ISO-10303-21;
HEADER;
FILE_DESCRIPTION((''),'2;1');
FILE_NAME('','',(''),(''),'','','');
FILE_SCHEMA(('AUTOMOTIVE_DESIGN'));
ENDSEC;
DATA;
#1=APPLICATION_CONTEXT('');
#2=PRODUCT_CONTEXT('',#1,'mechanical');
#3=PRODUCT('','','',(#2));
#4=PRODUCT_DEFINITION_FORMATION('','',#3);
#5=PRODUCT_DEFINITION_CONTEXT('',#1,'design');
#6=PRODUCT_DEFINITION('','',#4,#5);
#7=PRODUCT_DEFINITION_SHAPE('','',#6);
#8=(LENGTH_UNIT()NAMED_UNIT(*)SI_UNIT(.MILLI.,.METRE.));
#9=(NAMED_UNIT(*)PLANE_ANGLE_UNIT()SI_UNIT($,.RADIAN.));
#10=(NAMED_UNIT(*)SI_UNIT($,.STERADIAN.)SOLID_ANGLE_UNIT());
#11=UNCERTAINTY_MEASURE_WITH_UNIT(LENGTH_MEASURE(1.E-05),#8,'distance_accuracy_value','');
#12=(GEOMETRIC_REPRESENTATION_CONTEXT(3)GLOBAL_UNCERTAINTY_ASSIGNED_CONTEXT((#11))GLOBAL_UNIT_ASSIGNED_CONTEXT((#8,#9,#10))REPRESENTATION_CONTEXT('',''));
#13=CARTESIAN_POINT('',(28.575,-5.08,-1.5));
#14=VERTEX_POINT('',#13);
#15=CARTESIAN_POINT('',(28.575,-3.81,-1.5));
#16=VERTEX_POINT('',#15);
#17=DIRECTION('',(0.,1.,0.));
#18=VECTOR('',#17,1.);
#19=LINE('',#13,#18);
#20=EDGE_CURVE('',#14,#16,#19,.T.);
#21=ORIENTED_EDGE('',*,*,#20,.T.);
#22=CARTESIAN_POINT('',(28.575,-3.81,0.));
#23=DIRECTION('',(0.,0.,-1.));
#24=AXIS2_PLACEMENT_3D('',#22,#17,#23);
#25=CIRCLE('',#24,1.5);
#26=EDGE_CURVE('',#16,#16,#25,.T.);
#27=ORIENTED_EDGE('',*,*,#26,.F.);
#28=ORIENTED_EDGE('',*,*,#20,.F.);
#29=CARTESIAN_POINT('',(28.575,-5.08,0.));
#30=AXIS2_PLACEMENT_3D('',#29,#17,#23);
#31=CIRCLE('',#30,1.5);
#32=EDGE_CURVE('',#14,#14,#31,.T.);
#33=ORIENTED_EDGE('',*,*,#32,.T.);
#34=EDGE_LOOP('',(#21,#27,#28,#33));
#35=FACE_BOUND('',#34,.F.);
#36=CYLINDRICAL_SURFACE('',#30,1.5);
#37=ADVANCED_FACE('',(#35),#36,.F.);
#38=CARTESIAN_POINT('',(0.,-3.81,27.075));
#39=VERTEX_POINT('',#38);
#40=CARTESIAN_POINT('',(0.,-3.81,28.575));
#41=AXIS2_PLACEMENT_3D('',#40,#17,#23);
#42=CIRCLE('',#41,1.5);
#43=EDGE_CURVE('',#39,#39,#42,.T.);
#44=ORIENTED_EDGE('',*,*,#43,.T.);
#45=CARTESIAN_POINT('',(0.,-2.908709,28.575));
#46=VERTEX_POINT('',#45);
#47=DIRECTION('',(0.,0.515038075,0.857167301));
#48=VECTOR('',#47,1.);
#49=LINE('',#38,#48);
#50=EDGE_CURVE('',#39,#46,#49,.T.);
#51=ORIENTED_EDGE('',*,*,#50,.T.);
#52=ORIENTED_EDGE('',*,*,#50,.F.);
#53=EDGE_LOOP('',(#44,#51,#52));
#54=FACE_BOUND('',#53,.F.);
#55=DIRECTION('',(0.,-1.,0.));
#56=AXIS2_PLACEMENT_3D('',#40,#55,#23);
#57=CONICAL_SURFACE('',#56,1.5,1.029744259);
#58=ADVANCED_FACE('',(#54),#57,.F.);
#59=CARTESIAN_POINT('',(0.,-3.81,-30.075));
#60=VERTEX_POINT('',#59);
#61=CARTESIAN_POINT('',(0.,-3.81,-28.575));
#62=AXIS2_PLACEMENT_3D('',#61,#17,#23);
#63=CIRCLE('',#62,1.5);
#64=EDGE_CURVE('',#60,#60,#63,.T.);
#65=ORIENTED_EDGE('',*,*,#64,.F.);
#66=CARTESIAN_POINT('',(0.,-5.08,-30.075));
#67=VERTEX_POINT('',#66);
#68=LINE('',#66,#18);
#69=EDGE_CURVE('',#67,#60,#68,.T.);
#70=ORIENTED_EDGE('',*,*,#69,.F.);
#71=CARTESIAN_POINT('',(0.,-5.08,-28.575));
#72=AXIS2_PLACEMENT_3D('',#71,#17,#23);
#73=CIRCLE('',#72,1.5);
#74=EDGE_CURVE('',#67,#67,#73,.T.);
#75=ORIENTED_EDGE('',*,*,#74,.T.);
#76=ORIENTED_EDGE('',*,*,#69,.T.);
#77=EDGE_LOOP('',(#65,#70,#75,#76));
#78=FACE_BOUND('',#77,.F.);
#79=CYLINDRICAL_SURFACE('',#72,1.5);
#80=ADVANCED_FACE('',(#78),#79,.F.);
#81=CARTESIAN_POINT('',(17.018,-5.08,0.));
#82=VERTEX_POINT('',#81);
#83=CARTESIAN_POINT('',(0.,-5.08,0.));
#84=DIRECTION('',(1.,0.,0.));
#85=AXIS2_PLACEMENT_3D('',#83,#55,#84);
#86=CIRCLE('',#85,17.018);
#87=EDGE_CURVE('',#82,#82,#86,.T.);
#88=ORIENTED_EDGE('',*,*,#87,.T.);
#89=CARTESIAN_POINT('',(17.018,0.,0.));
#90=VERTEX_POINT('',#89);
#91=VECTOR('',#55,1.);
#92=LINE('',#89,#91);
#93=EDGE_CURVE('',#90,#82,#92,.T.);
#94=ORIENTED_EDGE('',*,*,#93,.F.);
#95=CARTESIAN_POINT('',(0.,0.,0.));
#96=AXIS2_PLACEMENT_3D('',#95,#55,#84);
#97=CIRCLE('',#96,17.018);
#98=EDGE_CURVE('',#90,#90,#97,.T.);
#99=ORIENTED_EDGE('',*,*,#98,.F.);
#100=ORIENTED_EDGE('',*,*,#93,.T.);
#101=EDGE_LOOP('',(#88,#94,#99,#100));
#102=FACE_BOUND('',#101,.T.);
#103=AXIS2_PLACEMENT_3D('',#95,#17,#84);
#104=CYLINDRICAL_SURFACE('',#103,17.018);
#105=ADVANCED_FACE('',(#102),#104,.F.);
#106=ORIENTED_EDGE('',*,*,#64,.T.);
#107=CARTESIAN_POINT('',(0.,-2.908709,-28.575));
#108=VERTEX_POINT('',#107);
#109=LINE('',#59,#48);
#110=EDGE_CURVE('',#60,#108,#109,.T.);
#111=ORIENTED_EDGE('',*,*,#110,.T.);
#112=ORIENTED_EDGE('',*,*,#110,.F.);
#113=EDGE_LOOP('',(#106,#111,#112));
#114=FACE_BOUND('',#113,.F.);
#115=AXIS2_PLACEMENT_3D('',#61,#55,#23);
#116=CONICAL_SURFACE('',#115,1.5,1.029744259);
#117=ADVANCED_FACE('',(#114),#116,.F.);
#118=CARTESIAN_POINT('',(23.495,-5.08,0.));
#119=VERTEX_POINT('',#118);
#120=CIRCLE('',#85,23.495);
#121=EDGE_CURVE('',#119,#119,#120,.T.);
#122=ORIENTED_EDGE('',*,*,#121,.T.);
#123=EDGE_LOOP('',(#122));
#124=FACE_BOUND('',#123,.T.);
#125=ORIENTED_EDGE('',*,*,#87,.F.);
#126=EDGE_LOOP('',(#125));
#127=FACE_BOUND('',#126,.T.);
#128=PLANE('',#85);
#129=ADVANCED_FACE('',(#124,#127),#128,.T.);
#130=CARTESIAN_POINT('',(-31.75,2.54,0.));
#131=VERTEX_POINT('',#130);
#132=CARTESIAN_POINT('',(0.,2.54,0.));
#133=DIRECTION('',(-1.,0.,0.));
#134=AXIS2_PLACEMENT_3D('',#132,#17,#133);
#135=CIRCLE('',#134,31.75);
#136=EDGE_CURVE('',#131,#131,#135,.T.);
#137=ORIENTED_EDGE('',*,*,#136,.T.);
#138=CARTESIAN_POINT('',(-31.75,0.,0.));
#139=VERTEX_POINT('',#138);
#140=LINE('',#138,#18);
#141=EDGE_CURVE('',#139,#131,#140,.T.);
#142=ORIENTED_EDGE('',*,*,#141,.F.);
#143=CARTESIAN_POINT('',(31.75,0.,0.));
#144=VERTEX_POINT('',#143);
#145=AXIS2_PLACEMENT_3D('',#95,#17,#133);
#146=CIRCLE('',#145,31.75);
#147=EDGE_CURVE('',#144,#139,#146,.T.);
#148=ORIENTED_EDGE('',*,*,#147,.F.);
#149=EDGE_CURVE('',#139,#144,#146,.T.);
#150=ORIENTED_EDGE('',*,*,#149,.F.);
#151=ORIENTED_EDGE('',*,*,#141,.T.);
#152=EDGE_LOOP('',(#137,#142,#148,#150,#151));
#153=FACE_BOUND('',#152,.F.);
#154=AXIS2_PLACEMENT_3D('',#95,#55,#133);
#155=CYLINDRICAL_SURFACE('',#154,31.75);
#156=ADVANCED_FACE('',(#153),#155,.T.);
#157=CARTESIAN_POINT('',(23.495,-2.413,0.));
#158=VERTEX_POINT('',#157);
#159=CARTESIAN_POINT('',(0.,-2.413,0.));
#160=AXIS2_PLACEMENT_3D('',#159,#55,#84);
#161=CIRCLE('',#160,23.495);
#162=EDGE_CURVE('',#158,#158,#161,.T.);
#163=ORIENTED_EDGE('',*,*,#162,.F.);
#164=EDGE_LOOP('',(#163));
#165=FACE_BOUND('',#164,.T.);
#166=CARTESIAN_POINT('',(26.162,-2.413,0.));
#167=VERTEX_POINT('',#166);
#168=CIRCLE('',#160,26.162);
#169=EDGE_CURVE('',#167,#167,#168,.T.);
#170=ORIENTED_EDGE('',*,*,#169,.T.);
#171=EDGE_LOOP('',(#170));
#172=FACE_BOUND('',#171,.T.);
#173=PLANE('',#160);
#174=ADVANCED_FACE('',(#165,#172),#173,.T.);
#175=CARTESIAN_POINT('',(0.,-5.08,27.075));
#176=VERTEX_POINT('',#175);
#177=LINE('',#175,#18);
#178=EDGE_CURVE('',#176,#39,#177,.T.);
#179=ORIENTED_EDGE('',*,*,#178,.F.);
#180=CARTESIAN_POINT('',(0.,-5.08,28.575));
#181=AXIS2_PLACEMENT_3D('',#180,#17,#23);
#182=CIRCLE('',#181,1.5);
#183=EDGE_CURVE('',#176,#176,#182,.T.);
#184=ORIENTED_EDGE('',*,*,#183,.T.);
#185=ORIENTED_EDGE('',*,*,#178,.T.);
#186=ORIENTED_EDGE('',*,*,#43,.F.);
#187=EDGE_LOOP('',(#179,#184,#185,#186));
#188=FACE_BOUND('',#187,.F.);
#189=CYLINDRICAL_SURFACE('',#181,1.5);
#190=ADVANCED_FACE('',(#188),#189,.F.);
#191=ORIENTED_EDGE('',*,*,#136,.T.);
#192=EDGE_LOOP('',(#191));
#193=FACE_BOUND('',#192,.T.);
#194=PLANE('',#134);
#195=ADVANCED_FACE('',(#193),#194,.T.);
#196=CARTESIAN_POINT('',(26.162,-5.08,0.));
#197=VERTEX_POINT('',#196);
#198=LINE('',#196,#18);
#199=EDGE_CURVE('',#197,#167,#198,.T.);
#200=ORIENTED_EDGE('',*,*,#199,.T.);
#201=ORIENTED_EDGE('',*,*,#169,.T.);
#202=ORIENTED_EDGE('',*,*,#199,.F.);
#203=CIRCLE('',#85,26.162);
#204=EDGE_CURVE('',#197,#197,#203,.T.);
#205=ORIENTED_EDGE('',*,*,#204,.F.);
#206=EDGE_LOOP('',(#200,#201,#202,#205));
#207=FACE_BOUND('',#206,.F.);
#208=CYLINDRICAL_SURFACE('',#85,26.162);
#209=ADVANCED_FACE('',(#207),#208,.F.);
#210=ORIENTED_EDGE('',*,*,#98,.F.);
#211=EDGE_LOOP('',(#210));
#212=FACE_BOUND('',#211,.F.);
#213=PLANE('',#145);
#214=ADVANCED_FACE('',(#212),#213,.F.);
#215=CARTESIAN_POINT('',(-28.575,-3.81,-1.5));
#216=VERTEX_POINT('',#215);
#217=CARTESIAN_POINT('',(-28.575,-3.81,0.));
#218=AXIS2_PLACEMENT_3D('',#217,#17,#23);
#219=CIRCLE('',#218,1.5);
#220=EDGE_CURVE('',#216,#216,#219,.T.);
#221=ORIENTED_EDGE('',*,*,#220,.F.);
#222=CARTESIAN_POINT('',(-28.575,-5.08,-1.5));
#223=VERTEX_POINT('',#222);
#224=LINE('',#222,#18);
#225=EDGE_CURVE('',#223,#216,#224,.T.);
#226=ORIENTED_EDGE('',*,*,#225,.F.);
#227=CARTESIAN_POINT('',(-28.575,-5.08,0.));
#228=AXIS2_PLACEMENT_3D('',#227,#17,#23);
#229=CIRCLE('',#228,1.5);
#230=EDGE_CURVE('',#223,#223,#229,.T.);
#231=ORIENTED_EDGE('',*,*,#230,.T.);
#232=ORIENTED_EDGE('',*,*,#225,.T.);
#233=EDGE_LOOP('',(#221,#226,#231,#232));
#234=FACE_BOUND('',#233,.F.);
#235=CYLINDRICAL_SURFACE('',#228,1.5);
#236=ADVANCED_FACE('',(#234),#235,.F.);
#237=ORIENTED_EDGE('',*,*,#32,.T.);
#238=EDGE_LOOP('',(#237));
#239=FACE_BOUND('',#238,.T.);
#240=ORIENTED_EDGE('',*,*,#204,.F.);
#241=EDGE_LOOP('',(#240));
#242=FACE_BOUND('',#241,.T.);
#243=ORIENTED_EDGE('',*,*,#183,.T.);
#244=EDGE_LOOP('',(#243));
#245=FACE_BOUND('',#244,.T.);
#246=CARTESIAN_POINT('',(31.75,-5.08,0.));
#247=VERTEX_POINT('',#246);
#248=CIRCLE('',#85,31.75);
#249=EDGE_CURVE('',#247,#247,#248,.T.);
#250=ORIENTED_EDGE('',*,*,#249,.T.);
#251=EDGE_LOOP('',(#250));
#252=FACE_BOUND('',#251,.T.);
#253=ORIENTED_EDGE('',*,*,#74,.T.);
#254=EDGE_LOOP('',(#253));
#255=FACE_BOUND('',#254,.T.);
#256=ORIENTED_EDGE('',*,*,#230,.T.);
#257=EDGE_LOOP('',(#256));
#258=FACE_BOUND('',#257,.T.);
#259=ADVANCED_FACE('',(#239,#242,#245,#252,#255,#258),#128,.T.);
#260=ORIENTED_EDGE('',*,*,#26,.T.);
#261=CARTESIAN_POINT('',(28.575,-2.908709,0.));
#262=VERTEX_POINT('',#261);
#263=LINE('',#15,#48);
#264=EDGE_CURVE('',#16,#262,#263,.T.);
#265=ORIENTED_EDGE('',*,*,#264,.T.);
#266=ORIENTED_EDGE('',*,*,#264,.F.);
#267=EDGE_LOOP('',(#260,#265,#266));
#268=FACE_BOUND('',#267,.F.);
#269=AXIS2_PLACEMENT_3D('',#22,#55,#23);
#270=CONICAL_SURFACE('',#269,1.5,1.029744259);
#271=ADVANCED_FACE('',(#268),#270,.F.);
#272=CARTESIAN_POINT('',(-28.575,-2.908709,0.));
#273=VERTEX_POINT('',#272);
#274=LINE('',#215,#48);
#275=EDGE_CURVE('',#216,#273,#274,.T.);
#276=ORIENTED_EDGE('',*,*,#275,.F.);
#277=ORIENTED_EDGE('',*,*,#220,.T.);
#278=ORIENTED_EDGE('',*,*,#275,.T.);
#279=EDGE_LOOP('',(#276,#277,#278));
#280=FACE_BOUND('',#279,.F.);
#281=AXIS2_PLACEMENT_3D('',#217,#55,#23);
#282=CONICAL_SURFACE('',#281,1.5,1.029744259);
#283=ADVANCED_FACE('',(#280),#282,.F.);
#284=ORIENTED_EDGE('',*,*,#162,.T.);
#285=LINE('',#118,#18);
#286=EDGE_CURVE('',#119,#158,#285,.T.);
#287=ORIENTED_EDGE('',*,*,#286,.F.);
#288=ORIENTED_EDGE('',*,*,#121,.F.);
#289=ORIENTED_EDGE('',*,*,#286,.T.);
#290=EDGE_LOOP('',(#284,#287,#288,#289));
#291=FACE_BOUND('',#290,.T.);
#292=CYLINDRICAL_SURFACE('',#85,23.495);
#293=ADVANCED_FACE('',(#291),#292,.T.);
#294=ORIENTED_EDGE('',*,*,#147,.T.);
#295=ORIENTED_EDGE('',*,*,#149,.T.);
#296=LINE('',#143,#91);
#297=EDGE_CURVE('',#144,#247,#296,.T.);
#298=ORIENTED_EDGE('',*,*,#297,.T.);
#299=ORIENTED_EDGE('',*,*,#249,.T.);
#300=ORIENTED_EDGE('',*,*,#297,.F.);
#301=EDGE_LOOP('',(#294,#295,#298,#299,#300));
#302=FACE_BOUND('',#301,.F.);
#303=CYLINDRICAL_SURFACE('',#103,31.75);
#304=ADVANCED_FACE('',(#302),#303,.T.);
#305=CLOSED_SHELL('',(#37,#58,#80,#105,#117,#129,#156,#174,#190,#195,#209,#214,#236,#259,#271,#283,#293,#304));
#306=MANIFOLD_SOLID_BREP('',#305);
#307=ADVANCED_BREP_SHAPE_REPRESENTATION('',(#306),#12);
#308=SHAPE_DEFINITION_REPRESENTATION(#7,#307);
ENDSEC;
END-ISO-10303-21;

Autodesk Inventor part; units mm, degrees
ref_plane "YZ Plane" through (0, 0, 0) normal (1, 0, 0) x (0, 1, 0)
ref_plane "XZ Plane" through (0, 0, 0) normal (0, 1, 0) x (-1, 0, 0)
ref_plane "XY Plane" through (0, 0, 0) normal (0, 0, 1) x (1, 0, 0)
sketch "Sketch1" plane through (0, 0, 0) normal (0, 1, 0) x (-1, 0, 0)
  circle A0 centre (0, 0) radius 31.75
  dimension "d0" = 63.5
extrude "Extrusion1" add sketch "Sketch1" along normal blind 2.54
sketch "Sketch2" plane through (0, 0, 0) normal (0, -1, 0) x (1, 0, 0)
  circle A0 centre (0, 0) radius 31.75 projected
  circle A1 centre (0, 0) radius 17.018
  circle A2 centre (0, 0) radius 31.75
  dimension "d4" = 34.036
extrude "Extrusion2" add sketch "Sketch2" along normal blind 5.08
sketch "Sketch3" plane through (0, -5.08, 0) normal (0, -1, 0) x (1, 0, 0)
  circle A0 centre (0, 0) radius 23.495
  circle A1 centre (0, 0) radius 17.018 projected
  circle A2 centre (0, 0) radius 26.162
  dimension "d7" = 46.99
  dimension "d8" = 52.324
extrude "Extrusion3" cut sketch "Sketch3" against normal blind 2.667 contours A2
sketch "Sketch5" plane through (0, -5.08, 0) normal (0, -1, 0) x (1, 0, 0)
  point P0 (0, 0)
  point P1 (-28.575, 0)
  point P2 (0, -28.575)
  point P3 (28.575, 0)
  point P4 (0, 28.575)
  dimension "d18" = 28.575
  dimension "d32" = 360
hole "Hole1" at (-28.575, -5.08, 0) at (0, -5.08, 28.575) at (28.575, -5.08, 0) at (0, -5.08, -28.575) direction (0, 1, 0) diameter 3 depth 1.27 tip angle 118
properties part number "LED housing 2"
